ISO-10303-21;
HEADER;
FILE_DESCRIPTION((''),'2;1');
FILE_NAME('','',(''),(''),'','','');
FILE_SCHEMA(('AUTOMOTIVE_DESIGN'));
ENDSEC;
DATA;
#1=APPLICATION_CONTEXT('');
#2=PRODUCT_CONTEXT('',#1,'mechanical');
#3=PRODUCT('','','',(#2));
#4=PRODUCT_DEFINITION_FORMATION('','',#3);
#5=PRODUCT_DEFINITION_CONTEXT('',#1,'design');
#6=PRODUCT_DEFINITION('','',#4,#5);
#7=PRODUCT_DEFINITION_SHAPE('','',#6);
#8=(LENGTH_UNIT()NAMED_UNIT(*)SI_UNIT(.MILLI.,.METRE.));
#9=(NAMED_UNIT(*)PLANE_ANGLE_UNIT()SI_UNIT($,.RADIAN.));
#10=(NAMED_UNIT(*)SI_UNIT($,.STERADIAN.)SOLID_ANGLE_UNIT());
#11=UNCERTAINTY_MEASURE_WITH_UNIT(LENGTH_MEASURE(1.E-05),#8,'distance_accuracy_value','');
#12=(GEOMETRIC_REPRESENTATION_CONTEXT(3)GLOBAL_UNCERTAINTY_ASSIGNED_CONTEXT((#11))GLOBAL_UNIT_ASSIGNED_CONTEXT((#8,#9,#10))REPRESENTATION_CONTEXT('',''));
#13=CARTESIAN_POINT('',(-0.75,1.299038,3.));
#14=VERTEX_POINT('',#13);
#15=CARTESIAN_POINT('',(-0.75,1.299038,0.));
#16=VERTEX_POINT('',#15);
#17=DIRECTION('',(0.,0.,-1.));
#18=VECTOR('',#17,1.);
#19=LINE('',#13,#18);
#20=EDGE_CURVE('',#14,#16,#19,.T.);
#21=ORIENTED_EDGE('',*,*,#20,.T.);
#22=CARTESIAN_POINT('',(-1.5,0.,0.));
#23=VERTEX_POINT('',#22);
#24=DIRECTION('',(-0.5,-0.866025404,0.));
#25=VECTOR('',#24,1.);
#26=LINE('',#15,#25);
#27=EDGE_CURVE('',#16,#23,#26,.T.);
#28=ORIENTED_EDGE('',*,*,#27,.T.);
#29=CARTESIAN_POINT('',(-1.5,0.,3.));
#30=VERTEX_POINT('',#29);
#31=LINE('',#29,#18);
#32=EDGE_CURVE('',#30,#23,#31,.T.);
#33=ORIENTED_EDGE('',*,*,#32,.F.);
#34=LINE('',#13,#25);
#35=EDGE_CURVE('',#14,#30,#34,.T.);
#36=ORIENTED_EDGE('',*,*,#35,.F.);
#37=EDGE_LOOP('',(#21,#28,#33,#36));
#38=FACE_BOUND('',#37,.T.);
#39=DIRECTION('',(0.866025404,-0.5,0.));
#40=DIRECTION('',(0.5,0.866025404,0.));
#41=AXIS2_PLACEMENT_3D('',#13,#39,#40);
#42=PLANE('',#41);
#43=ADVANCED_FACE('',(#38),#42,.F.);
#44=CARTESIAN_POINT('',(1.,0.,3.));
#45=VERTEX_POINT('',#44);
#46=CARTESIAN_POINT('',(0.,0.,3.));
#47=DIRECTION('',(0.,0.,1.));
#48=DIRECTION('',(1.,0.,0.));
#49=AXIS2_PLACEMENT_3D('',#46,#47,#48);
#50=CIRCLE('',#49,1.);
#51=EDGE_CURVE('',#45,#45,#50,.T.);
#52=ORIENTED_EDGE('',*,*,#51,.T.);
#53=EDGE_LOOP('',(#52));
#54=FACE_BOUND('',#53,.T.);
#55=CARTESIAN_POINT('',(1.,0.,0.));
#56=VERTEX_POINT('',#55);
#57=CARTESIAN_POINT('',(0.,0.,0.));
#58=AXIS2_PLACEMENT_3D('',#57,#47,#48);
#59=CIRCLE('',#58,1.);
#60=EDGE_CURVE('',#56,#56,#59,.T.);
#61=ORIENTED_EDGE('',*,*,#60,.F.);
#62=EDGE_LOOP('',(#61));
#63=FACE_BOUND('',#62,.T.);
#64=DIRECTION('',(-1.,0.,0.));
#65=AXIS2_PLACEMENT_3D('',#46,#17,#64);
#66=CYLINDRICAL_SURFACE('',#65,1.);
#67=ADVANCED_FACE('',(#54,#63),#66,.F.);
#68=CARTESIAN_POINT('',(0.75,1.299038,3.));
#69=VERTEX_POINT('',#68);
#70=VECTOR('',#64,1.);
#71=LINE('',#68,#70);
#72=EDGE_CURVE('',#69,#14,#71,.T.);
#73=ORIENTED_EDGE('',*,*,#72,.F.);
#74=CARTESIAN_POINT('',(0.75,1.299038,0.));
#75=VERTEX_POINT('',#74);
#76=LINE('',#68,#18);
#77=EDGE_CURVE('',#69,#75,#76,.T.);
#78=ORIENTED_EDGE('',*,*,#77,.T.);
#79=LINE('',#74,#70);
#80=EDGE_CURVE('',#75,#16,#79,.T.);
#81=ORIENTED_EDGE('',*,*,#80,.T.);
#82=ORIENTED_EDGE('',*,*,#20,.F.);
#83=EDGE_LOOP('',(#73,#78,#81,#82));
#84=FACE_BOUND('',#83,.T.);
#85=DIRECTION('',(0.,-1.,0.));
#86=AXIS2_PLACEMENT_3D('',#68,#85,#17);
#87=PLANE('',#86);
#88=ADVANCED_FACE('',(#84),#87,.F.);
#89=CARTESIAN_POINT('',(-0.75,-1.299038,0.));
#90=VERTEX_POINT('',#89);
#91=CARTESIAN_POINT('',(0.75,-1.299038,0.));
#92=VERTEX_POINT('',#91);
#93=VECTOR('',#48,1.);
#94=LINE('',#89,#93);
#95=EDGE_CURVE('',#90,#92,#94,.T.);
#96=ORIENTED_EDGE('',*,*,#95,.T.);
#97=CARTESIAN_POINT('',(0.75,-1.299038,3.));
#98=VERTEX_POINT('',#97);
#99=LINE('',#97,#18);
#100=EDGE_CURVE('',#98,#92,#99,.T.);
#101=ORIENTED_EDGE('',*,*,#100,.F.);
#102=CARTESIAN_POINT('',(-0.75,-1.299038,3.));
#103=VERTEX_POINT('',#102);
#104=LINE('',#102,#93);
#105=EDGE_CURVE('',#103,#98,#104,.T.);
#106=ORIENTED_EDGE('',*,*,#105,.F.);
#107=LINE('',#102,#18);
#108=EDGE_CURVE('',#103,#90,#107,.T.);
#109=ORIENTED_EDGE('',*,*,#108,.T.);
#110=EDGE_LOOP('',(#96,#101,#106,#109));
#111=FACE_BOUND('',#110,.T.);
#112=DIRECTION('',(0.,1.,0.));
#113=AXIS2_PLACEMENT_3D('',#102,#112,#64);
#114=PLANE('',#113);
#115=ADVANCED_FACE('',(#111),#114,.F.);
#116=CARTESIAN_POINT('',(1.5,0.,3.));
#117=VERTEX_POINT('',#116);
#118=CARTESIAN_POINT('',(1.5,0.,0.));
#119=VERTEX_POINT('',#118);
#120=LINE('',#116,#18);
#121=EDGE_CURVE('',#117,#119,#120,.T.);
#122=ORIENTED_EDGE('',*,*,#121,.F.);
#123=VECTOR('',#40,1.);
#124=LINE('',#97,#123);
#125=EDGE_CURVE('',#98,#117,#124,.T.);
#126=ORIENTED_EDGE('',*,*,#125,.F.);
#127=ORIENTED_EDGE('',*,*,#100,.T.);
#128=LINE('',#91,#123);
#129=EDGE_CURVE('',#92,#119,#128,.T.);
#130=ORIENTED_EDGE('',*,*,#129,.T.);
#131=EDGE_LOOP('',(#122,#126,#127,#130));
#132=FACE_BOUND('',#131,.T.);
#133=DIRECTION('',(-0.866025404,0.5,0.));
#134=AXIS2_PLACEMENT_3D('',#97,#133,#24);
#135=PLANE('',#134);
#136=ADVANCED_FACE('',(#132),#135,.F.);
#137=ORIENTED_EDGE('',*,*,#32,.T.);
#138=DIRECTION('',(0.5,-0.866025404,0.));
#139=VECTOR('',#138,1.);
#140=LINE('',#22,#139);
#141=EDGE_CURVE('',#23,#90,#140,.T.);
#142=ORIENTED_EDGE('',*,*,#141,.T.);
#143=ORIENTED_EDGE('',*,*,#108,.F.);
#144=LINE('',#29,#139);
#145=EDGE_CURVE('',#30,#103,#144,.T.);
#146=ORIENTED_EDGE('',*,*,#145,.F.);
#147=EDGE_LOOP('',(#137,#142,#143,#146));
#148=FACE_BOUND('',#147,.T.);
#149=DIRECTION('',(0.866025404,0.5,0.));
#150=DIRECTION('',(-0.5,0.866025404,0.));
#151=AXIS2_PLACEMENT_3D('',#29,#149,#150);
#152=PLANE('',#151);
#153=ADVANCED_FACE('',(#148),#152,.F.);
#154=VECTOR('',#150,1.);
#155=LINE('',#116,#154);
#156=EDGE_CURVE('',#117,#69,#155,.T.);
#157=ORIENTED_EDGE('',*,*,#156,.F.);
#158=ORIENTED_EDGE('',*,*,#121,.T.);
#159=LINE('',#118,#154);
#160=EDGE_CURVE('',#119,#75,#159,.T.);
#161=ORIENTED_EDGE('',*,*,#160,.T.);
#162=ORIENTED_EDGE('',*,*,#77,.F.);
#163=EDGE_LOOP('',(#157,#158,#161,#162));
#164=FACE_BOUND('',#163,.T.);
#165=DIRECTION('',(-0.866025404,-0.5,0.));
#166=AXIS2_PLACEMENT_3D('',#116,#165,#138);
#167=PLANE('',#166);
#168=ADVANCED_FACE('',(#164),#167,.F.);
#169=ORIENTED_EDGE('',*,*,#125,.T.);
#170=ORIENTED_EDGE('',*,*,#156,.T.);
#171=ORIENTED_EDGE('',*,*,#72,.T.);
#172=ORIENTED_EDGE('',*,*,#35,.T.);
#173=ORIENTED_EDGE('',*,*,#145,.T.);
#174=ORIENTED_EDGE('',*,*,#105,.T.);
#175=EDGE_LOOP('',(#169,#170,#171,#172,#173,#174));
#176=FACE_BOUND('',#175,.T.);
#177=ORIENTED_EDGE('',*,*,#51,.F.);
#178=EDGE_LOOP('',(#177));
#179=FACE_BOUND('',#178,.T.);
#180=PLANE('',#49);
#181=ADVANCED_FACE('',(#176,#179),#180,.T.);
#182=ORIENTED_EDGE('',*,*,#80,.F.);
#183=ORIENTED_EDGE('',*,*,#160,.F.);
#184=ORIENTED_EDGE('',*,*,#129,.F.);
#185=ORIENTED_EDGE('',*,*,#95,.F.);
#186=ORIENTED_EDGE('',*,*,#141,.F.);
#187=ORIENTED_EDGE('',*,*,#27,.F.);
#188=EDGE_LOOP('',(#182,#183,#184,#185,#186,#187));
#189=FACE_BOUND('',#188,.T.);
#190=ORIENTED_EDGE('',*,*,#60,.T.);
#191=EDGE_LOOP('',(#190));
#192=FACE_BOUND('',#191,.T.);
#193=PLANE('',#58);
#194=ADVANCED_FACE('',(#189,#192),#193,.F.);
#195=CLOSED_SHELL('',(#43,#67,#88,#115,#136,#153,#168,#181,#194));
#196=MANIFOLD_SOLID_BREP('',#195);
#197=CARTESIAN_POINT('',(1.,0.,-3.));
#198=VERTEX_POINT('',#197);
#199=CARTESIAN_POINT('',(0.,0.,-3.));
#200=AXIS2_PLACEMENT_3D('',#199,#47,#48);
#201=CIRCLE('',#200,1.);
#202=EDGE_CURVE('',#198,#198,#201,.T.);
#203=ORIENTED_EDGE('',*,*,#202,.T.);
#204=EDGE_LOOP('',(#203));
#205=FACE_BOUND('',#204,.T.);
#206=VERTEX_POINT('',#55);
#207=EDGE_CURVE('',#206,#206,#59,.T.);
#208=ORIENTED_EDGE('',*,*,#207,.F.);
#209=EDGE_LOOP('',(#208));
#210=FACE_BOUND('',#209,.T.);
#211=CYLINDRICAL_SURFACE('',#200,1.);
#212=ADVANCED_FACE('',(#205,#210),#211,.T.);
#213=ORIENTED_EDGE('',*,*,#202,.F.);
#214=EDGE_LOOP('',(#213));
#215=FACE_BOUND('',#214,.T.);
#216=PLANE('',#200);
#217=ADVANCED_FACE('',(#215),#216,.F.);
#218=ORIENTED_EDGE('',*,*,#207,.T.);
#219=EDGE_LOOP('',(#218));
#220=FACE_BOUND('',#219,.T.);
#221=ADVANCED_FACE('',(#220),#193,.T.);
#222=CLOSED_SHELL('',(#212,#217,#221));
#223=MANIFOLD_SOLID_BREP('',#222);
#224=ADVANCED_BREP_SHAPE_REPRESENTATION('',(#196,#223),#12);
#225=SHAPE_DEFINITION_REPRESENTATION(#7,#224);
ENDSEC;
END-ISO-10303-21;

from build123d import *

# Parameters (mm, degrees)
SKETCH_1_R      = 1
EXTRUDE_1_DEPTH = 3
SKETCH_2_R      = 1
EXTRUDE_2_DEPTH = 3


with BuildPart() as part:
    # 草图1 → 凸台-拉伸1 (new body)
    with BuildSketch(Plane.XY):
        Polygon((-1.5, 0), (-0.75, -1.299038106), (0.75, -1.299038106), (1.5, 0), (0.75, 1.299038106), (-0.75, 1.299038106), align=None)
        Circle(SKETCH_1_R, mode=Mode.SUBTRACT)
    extrude(amount=EXTRUDE_1_DEPTH)


with BuildPart() as body_2:
    # 草图2 → 凸台-拉伸2 (new body)
    with BuildSketch(Plane.XY):
        Circle(SKETCH_2_R)
    extrude(amount=-EXTRUDE_2_DEPTH)


solid = Compound([part.part, body_2.part])
